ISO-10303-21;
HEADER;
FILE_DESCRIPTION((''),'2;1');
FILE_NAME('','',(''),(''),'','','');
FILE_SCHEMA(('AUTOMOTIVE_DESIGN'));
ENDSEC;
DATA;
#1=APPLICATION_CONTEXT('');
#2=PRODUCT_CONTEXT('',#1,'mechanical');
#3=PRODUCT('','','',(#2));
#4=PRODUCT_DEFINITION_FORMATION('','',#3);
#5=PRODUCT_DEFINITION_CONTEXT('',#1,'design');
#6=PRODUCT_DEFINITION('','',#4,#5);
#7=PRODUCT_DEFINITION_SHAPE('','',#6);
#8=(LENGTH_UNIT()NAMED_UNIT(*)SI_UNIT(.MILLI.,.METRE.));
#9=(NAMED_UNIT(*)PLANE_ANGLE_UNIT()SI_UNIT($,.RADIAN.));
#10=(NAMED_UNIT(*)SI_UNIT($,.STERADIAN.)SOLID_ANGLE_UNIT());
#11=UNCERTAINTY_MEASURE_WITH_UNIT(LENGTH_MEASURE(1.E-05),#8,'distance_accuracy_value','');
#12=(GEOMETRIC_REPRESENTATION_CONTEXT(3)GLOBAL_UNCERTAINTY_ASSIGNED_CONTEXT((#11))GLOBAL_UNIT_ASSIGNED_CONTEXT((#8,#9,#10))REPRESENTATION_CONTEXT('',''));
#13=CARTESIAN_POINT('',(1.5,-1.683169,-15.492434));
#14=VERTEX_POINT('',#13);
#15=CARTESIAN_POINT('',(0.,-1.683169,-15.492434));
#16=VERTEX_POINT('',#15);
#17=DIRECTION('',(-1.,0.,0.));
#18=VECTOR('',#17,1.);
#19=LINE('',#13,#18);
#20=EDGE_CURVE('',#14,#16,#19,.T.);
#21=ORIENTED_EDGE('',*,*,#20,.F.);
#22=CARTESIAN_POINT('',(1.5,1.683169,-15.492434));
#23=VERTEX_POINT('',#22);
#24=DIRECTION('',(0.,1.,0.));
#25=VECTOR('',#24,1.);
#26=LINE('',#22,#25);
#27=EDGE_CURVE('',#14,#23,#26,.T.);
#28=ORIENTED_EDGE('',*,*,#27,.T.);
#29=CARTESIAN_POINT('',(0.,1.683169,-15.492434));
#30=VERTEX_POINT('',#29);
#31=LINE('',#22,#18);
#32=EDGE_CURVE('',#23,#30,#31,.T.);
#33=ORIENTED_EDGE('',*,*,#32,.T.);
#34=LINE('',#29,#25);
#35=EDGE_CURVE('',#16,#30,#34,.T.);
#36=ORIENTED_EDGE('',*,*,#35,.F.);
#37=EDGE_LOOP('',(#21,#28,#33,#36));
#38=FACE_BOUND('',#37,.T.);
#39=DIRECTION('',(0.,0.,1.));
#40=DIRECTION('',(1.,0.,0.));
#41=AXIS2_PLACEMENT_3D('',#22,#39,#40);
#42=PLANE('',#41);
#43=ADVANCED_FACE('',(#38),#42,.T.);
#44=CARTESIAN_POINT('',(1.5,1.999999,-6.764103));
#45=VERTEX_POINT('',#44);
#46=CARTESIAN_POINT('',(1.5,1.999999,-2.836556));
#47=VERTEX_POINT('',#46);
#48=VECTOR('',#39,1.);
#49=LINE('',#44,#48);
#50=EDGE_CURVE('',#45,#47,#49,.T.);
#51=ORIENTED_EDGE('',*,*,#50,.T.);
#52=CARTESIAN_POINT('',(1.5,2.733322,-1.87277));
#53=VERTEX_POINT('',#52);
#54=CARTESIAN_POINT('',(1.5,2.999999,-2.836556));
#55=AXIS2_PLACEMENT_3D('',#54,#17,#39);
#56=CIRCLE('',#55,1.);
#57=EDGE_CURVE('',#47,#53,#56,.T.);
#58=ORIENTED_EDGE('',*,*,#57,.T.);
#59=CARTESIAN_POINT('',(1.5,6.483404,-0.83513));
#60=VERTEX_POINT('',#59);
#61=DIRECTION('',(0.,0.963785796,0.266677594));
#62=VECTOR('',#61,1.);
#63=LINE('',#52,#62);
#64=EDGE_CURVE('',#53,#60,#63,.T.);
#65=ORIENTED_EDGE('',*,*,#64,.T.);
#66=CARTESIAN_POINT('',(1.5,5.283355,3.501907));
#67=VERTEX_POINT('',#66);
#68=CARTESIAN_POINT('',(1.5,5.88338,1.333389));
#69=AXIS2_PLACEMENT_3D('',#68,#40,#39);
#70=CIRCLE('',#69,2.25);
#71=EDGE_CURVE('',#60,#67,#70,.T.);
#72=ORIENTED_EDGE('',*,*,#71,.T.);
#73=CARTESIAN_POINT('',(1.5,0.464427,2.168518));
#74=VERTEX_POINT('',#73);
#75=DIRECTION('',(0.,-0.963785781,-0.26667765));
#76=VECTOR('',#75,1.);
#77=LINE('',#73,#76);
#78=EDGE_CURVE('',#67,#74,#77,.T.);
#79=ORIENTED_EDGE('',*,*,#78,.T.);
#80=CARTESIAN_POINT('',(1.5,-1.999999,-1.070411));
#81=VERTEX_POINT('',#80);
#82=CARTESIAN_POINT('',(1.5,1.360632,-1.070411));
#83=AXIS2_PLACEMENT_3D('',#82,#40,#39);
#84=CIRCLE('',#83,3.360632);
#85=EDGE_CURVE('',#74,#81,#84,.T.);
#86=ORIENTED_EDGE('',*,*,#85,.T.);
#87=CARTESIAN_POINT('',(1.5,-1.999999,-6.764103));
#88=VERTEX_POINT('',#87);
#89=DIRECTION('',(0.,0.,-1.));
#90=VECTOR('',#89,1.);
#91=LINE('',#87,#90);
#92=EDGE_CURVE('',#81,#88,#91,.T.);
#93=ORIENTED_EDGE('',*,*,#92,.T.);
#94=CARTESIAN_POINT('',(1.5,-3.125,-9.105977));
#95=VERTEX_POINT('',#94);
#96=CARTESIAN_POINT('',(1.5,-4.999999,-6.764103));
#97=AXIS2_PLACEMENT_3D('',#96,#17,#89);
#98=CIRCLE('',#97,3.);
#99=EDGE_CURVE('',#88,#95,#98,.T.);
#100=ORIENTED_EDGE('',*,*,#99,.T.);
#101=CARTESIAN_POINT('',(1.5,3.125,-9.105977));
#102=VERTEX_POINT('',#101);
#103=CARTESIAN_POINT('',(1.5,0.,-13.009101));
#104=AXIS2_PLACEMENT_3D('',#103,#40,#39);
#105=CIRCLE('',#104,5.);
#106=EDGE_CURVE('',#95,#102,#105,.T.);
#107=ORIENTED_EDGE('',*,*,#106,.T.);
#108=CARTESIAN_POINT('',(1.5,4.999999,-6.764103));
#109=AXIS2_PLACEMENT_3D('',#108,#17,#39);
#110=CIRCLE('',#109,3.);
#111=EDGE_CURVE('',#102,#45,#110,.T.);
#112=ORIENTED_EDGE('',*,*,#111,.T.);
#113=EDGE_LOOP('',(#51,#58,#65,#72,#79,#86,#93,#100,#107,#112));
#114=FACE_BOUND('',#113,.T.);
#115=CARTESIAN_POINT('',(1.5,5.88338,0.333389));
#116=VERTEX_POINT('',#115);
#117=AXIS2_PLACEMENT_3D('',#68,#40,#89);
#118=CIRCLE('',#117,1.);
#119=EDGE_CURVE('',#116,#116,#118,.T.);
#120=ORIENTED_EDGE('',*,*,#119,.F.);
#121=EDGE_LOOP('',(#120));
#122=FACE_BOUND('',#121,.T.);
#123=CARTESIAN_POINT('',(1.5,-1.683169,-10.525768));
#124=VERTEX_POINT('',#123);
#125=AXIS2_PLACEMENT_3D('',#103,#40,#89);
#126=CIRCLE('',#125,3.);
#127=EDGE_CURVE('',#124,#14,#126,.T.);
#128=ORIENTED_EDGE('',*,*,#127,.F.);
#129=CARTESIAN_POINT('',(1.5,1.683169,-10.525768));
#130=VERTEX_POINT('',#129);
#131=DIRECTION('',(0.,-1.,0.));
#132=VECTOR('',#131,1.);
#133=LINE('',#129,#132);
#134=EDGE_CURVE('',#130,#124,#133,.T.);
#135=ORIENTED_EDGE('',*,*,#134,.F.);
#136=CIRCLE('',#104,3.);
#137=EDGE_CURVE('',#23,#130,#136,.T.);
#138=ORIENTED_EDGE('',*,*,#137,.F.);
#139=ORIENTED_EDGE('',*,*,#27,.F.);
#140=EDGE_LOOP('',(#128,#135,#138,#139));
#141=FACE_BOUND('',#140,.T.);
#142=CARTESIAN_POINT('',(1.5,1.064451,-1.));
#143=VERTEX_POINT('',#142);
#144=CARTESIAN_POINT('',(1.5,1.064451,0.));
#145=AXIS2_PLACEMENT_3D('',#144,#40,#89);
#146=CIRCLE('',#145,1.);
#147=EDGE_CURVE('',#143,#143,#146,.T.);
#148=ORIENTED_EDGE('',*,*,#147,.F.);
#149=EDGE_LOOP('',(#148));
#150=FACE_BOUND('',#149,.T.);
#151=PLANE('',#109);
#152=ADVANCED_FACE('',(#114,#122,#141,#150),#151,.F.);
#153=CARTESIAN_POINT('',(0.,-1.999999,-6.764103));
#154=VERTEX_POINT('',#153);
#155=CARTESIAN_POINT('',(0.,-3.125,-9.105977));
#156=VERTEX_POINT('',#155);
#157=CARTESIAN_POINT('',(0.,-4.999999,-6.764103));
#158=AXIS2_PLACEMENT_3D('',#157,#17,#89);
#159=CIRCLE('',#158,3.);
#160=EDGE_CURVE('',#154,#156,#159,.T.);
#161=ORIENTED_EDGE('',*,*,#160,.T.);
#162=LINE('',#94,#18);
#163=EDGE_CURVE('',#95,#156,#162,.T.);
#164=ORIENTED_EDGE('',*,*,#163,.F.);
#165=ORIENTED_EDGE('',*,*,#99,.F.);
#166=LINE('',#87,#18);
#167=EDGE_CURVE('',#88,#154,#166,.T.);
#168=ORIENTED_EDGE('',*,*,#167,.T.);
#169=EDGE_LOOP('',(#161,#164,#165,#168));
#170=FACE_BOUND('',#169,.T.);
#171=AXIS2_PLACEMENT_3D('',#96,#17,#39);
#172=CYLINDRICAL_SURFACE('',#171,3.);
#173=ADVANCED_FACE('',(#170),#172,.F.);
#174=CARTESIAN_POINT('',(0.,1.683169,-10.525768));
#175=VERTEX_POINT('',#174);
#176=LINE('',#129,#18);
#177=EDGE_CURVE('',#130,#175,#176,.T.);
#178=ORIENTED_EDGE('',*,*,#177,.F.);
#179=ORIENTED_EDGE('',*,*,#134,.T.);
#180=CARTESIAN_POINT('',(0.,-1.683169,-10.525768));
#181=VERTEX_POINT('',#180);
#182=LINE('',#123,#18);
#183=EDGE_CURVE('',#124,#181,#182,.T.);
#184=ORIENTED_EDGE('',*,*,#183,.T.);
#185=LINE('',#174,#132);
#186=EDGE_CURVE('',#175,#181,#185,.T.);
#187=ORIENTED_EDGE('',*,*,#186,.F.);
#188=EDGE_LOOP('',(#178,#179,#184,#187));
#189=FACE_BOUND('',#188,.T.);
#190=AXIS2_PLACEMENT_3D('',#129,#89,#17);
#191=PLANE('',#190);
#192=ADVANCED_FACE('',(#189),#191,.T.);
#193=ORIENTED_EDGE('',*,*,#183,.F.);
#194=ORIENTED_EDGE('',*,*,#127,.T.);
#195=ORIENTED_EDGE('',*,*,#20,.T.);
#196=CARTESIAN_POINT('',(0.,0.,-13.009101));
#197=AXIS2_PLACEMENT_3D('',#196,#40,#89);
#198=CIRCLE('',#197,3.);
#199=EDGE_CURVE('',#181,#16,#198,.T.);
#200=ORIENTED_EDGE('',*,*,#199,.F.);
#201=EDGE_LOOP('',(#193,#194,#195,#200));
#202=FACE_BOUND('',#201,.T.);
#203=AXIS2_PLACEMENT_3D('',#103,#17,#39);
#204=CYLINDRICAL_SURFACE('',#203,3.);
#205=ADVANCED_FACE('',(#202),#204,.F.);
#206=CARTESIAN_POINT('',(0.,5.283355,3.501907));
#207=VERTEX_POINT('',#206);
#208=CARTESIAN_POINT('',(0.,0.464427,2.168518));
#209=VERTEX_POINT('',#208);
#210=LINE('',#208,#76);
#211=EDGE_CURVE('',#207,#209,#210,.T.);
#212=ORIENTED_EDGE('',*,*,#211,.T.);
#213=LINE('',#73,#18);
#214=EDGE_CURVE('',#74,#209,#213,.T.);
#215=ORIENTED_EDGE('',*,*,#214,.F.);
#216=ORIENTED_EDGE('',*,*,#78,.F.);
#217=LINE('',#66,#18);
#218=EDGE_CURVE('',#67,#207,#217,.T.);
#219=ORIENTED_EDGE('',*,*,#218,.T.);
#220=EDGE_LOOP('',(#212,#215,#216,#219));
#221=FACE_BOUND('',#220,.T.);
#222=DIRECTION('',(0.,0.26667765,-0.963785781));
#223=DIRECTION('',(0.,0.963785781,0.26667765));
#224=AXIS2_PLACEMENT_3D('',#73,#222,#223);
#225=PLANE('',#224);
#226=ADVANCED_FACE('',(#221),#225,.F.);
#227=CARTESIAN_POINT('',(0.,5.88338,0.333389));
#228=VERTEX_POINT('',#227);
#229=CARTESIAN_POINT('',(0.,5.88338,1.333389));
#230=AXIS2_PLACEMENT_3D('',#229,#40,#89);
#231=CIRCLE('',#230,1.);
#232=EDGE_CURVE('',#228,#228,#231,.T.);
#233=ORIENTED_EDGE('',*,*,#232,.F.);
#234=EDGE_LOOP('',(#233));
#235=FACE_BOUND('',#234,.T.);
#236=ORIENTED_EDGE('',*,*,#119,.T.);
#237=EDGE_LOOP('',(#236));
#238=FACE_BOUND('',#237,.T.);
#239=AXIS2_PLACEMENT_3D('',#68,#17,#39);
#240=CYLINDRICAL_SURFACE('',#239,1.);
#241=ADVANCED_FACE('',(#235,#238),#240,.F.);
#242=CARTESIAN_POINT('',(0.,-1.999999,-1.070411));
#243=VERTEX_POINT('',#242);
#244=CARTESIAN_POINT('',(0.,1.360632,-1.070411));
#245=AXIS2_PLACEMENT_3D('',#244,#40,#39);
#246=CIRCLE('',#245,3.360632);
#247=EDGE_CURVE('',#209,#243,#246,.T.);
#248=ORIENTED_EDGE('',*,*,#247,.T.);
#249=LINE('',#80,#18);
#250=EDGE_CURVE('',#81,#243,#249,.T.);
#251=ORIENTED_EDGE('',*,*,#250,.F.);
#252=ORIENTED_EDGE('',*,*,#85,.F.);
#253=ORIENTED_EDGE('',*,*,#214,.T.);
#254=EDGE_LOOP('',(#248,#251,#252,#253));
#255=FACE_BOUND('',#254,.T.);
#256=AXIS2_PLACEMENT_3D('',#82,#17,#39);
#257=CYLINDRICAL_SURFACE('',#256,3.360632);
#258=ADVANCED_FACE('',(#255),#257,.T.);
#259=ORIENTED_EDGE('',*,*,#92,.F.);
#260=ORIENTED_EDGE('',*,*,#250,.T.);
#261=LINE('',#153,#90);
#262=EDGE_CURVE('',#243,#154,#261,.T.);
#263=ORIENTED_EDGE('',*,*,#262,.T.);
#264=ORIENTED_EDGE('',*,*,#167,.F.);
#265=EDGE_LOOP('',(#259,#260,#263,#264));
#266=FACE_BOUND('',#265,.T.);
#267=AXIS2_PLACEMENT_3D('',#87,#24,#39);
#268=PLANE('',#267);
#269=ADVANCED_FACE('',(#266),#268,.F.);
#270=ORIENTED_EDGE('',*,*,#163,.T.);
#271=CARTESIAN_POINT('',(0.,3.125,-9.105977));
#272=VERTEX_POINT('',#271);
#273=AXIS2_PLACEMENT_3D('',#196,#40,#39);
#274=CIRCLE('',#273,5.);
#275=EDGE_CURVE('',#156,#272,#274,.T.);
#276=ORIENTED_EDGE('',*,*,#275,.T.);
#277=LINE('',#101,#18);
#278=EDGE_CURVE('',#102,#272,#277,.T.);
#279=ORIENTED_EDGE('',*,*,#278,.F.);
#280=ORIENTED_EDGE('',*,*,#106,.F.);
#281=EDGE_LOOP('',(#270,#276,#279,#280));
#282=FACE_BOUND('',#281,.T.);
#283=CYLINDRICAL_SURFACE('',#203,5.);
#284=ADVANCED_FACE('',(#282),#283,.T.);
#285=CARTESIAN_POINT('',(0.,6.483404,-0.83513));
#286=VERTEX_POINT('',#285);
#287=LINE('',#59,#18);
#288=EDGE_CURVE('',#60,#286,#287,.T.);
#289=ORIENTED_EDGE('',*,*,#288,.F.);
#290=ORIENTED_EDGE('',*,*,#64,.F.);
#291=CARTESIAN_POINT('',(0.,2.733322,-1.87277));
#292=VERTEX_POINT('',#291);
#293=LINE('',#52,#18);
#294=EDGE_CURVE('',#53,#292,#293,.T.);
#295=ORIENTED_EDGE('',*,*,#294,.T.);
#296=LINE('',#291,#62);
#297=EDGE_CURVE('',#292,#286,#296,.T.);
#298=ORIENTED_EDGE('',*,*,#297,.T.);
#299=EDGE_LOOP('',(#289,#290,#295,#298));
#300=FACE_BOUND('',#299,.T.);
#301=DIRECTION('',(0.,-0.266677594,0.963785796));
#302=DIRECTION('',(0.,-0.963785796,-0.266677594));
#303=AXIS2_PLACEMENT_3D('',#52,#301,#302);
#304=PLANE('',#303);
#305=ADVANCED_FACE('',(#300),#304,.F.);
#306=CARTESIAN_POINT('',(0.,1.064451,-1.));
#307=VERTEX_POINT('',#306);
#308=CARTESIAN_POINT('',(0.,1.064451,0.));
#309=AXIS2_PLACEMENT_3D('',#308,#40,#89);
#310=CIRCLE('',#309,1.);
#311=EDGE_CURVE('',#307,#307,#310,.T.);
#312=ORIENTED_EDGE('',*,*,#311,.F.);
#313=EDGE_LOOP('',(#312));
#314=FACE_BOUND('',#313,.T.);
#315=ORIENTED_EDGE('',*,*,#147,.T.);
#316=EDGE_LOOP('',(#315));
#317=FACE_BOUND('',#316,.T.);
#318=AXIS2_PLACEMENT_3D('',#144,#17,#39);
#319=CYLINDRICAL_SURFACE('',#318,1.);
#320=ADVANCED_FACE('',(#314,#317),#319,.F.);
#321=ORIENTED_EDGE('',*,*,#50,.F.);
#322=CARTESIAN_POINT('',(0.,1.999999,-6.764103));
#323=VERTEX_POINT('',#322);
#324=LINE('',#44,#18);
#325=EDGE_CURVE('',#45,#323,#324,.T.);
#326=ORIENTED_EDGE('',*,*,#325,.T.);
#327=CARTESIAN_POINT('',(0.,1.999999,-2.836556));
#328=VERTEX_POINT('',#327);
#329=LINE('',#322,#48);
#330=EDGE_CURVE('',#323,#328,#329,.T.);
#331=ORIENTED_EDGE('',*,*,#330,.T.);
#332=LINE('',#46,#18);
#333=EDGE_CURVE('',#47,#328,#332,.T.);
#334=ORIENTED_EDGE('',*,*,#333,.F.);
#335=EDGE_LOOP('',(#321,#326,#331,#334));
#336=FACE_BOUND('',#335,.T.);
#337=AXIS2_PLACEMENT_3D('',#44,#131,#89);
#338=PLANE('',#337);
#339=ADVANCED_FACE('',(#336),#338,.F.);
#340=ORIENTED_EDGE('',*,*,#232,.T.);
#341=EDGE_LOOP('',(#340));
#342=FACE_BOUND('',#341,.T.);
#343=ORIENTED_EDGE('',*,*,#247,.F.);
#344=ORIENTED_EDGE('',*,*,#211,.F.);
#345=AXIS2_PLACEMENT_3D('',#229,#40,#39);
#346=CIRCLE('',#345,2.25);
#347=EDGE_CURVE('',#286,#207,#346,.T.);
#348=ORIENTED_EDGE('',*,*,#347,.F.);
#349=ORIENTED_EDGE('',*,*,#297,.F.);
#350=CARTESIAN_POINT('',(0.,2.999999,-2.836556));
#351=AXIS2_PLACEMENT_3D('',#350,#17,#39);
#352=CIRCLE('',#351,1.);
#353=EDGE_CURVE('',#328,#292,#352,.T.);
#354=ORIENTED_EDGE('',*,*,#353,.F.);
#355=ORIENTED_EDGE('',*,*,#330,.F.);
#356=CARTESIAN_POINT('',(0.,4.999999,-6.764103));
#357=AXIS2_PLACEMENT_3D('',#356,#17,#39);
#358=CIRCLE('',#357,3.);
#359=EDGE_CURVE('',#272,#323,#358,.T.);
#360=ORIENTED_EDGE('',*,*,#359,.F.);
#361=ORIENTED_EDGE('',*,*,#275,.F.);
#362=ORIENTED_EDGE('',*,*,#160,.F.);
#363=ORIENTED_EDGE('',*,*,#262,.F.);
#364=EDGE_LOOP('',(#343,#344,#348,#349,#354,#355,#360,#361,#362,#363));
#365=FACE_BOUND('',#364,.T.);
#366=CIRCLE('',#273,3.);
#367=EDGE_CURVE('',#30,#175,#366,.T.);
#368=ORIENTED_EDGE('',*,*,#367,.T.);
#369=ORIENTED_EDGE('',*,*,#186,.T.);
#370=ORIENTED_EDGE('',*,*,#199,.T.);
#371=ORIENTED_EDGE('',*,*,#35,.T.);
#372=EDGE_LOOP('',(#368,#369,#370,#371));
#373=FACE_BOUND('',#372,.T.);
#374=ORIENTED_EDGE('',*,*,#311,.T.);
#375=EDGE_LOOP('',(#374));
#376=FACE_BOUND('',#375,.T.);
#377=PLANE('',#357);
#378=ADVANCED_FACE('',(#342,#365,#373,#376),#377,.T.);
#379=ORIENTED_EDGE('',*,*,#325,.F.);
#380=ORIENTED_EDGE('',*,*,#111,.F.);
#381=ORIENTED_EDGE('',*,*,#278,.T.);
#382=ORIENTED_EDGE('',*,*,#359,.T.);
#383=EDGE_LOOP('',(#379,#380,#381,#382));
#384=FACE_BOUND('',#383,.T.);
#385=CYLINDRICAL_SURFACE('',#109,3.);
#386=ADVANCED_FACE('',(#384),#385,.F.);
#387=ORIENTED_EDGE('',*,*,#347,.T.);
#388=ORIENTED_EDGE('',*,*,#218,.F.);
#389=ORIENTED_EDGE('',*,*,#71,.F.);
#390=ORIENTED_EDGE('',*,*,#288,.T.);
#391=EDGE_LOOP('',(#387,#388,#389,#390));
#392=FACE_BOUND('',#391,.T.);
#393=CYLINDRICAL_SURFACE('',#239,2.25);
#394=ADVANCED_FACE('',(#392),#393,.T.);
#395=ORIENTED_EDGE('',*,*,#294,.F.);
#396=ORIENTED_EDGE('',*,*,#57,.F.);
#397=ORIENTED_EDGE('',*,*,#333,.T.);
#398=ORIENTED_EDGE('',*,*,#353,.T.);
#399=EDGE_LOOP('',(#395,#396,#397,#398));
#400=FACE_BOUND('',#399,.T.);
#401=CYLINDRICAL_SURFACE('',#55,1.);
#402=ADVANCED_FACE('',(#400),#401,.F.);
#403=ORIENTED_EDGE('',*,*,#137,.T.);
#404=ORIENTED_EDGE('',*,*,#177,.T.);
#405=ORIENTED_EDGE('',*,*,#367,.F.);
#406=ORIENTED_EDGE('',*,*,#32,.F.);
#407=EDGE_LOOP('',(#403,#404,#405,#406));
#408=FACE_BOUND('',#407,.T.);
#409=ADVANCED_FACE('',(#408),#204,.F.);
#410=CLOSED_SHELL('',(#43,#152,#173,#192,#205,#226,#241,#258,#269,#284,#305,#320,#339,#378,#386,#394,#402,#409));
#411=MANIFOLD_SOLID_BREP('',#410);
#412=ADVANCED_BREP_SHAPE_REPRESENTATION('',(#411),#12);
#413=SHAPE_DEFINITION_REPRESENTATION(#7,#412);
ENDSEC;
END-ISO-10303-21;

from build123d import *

# Parameters (mm, degrees)
SKETCH1_R           = 1
BOSS_EXTRUDE3_DEPTH = 1.5


with BuildPart() as part:
    # Sketch1 → Boss-Extrude3 (new body)
    with BuildSketch(Plane(origin=(0, 0, 0), x_dir=(0, 0, -1), z_dir=(1, 0, 0))):
        with BuildLine():
            Line((6.7641026, 1.999999498), (2.83655563, 1.999999498))
            ThreePointArc((2.83655563, 1.999999498), (2.231030071, 2.20417364), (1.872769834, 2.733321904))
            Line((1.872769834, 2.733321904), (0.835129535, 6.483404419))
            ThreePointArc((0.835129535, 6.483404419), (-1.933413156, 8.051897856), (-3.501906514, 5.283355121))
            Line((-3.501906514, 5.283355121), (-2.168518496, 0.464427051))
            ThreePointArc((-2.168518496, 0.464427051), (-0.964537658, -1.313845406), (1.07041083, -1.999999498))
            Line((1.07041083, -1.999999498), (6.7641026, -1.999999498))
            ThreePointArc((6.7641026, -1.999999498), (8.063140814, -2.295836094), (9.105977, -3.124999686))
            ThreePointArc((9.105977, -3.124999686), (18.009101, 0), (9.105977, 3.124999686))
            ThreePointArc((9.105977, 3.124999686), (8.063140814, 2.295836094), (6.7641026, 1.999999498))
        make_face()
        with Locations((-1.333388507, 5.883379832)):
            Circle(SKETCH1_R, mode=Mode.SUBTRACT)
        with Locations((0, 1.064451)):
            Circle(SKETCH1_R, mode=Mode.SUBTRACT)
        with BuildLine():
            Line((10.525768, 1.683168801), (10.525768, -1.683168801))
            ThreePointArc((10.525768, -1.683168801), (13.009101, -3), (15.492434, -1.683168801))
            Line((15.492434, -1.683168801), (15.492434, 1.683168801))
            ThreePointArc((15.492434, 1.683168801), (13.009101, 3), (10.525768, 1.683168801))
        make_face(mode=Mode.SUBTRACT)
    extrude(amount=BOSS_EXTRUDE3_DEPTH)


solid = part.part
